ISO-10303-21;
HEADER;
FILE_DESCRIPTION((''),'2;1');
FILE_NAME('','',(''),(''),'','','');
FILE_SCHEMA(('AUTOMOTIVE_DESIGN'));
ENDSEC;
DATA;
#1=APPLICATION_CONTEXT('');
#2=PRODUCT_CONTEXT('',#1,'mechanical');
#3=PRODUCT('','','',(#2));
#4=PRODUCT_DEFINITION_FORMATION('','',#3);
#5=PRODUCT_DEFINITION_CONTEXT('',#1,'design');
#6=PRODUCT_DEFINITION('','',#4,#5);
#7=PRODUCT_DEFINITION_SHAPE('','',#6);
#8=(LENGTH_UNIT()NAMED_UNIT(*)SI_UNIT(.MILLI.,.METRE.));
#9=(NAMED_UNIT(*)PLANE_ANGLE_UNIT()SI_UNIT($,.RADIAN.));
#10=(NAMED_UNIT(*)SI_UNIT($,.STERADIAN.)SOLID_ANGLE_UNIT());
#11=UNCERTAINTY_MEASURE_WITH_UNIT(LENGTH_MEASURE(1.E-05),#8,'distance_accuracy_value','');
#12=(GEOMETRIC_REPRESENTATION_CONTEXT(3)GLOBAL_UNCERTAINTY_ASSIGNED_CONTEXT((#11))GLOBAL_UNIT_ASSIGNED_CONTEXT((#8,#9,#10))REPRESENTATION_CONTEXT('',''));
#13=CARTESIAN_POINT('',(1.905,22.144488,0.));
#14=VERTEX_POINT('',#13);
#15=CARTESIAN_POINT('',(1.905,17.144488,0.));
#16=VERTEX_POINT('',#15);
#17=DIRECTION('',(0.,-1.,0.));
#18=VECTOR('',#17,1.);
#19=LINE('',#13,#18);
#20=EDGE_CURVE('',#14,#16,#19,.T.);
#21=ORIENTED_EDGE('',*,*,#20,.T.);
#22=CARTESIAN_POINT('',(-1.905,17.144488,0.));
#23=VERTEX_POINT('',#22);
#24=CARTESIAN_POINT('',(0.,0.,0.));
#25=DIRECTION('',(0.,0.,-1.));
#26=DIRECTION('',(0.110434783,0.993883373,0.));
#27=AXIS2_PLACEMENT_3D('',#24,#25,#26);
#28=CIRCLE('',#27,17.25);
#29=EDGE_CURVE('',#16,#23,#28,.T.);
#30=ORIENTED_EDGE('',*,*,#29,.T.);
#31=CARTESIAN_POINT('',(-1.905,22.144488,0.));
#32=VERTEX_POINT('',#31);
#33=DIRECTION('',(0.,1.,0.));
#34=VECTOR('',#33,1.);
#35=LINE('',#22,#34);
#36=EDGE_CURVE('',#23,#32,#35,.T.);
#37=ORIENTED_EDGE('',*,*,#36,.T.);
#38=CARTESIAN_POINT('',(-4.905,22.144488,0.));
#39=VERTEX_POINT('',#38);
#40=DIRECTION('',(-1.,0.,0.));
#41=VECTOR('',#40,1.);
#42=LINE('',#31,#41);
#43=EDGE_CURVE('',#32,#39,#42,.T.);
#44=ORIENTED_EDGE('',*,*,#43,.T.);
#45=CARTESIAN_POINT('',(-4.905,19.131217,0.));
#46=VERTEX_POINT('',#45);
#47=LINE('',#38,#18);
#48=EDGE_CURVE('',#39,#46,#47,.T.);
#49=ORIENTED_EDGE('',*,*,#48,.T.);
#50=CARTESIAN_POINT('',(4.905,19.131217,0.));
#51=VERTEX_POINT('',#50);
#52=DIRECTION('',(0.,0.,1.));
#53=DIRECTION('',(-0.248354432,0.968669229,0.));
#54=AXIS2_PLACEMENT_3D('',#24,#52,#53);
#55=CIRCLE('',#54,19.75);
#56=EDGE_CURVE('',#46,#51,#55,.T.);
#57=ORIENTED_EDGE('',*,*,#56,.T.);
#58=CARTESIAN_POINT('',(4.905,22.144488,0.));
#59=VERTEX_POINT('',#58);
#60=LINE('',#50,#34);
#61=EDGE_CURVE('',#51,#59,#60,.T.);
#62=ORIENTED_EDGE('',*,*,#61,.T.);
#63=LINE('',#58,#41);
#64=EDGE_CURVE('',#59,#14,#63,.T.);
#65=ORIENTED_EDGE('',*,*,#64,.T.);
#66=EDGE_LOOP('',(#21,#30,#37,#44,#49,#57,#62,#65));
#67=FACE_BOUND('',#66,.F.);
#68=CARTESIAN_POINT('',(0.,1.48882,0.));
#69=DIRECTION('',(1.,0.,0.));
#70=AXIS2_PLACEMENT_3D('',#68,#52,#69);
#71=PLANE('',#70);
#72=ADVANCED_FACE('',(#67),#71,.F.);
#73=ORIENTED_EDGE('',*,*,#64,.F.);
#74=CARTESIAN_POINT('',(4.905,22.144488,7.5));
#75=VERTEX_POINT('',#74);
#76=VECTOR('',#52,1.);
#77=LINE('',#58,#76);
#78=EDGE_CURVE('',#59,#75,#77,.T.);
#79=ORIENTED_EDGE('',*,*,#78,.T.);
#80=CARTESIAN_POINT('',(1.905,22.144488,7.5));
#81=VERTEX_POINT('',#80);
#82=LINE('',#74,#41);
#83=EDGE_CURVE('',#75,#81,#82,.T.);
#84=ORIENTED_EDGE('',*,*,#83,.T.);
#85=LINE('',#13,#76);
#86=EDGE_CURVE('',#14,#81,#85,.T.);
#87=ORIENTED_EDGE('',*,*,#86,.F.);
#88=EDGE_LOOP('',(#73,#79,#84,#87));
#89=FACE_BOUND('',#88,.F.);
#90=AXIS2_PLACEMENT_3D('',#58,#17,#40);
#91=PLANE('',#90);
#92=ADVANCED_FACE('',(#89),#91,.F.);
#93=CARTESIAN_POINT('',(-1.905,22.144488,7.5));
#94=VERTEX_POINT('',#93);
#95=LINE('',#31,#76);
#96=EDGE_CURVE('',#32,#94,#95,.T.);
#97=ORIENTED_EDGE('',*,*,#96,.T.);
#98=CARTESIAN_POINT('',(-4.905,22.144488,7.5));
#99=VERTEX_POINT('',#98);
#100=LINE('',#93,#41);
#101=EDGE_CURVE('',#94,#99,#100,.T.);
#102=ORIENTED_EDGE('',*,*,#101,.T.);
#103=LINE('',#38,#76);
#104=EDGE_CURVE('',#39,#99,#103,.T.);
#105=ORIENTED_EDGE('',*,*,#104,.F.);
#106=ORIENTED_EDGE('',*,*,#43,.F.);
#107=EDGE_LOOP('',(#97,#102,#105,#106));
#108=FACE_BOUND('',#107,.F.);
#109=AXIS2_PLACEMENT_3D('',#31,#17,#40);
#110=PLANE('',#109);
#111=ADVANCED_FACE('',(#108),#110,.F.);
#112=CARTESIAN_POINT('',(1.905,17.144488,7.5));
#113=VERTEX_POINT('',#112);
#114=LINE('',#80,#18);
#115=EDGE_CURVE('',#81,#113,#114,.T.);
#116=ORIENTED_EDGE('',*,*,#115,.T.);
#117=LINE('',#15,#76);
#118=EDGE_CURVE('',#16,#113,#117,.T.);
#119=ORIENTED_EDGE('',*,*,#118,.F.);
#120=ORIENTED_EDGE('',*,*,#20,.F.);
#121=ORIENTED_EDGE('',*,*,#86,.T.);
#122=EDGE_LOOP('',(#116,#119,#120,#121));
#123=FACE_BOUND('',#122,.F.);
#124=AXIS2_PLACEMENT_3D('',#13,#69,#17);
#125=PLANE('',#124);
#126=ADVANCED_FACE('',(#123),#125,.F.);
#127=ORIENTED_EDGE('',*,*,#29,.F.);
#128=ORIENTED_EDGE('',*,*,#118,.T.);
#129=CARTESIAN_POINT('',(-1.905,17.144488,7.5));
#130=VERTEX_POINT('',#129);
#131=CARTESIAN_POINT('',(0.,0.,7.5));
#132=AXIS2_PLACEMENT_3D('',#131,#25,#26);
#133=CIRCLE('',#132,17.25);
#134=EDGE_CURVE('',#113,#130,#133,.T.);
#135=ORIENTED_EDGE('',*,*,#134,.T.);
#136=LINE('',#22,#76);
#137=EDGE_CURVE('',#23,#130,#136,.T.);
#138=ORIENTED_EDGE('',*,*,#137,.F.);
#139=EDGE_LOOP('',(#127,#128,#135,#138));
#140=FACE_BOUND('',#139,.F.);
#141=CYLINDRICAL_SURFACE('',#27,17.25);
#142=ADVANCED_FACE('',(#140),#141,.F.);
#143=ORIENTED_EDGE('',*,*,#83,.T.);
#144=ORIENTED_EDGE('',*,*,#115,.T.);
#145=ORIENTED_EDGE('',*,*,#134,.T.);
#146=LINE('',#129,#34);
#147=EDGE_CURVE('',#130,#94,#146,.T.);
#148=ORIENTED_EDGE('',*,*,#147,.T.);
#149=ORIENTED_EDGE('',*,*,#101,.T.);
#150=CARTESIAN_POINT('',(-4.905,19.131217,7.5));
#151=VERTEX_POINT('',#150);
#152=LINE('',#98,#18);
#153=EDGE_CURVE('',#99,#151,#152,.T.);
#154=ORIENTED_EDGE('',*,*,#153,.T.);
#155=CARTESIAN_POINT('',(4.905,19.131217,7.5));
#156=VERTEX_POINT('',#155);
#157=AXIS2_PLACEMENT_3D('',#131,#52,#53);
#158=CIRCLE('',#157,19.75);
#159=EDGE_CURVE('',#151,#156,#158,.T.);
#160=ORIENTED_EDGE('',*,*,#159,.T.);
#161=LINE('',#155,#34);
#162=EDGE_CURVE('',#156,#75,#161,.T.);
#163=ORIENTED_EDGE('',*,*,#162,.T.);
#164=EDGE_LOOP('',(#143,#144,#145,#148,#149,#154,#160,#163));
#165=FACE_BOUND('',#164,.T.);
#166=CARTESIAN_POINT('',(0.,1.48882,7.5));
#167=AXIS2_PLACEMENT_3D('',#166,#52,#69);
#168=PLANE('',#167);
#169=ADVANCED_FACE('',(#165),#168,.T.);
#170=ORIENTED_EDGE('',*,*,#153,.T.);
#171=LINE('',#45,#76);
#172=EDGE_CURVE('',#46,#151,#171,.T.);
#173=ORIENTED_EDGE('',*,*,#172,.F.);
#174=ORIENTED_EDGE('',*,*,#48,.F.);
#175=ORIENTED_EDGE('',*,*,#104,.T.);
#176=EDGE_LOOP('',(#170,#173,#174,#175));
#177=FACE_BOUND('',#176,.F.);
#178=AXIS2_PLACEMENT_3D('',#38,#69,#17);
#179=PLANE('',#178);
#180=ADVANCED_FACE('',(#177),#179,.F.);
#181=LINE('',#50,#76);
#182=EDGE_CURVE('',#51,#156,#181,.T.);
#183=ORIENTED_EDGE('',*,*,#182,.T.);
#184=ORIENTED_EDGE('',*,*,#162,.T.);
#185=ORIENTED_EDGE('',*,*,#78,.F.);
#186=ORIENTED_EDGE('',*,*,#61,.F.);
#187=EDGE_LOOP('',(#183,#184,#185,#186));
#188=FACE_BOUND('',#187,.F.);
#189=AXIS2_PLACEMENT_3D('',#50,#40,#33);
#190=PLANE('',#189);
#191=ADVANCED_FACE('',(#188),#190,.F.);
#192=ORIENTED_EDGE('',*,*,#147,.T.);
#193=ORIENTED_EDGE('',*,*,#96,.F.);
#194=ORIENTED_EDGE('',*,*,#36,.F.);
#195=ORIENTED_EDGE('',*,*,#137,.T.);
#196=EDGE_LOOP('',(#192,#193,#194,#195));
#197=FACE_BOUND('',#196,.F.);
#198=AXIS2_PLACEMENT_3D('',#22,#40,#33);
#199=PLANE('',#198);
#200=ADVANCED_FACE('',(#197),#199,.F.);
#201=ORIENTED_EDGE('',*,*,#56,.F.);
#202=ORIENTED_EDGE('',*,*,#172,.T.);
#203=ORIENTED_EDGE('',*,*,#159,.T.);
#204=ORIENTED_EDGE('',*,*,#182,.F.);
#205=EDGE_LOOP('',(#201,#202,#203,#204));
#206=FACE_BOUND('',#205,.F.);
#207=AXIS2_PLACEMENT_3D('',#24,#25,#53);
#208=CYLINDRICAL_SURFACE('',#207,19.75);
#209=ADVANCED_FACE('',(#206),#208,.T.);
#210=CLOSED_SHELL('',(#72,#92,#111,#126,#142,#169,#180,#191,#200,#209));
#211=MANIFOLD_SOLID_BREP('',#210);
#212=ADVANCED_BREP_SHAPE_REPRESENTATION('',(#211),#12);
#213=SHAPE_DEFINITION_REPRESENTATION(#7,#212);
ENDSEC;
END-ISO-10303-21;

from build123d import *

# Parameters (mm, degrees)
F1_DEPTH = 7.5


with BuildPart() as f1:
    # F0 (on Top) → F1 (new body)
    with BuildSketch(Plane.XY):
        with BuildLine():
            ThreePointArc((1.905, 17.144488), (0, -17.25), (-1.905, 17.144488))
            Line((-1.905, 17.144488), (-1.905, 19.657911))
            Line((-1.905, 19.657911), (-1.905, 22.144488))
            Line((-1.905, 22.144488), (-4.905, 22.144488))
            Line((-4.905, 22.144488), (-4.905, 19.131217))
            ThreePointArc((-4.905, 19.131217), (0, -19.75), (4.905, 19.131217))
            Line((4.905, 19.131217), (4.905, 22.144488))
            Line((4.905, 22.144488), (1.905, 22.144488))
            Line((1.905, 22.144488), (1.905, 19.657911))
            Line((1.905, 19.657911), (1.905, 17.144488))
        make_face()
    extrude(amount=F1_DEPTH)


solid = f1.part
